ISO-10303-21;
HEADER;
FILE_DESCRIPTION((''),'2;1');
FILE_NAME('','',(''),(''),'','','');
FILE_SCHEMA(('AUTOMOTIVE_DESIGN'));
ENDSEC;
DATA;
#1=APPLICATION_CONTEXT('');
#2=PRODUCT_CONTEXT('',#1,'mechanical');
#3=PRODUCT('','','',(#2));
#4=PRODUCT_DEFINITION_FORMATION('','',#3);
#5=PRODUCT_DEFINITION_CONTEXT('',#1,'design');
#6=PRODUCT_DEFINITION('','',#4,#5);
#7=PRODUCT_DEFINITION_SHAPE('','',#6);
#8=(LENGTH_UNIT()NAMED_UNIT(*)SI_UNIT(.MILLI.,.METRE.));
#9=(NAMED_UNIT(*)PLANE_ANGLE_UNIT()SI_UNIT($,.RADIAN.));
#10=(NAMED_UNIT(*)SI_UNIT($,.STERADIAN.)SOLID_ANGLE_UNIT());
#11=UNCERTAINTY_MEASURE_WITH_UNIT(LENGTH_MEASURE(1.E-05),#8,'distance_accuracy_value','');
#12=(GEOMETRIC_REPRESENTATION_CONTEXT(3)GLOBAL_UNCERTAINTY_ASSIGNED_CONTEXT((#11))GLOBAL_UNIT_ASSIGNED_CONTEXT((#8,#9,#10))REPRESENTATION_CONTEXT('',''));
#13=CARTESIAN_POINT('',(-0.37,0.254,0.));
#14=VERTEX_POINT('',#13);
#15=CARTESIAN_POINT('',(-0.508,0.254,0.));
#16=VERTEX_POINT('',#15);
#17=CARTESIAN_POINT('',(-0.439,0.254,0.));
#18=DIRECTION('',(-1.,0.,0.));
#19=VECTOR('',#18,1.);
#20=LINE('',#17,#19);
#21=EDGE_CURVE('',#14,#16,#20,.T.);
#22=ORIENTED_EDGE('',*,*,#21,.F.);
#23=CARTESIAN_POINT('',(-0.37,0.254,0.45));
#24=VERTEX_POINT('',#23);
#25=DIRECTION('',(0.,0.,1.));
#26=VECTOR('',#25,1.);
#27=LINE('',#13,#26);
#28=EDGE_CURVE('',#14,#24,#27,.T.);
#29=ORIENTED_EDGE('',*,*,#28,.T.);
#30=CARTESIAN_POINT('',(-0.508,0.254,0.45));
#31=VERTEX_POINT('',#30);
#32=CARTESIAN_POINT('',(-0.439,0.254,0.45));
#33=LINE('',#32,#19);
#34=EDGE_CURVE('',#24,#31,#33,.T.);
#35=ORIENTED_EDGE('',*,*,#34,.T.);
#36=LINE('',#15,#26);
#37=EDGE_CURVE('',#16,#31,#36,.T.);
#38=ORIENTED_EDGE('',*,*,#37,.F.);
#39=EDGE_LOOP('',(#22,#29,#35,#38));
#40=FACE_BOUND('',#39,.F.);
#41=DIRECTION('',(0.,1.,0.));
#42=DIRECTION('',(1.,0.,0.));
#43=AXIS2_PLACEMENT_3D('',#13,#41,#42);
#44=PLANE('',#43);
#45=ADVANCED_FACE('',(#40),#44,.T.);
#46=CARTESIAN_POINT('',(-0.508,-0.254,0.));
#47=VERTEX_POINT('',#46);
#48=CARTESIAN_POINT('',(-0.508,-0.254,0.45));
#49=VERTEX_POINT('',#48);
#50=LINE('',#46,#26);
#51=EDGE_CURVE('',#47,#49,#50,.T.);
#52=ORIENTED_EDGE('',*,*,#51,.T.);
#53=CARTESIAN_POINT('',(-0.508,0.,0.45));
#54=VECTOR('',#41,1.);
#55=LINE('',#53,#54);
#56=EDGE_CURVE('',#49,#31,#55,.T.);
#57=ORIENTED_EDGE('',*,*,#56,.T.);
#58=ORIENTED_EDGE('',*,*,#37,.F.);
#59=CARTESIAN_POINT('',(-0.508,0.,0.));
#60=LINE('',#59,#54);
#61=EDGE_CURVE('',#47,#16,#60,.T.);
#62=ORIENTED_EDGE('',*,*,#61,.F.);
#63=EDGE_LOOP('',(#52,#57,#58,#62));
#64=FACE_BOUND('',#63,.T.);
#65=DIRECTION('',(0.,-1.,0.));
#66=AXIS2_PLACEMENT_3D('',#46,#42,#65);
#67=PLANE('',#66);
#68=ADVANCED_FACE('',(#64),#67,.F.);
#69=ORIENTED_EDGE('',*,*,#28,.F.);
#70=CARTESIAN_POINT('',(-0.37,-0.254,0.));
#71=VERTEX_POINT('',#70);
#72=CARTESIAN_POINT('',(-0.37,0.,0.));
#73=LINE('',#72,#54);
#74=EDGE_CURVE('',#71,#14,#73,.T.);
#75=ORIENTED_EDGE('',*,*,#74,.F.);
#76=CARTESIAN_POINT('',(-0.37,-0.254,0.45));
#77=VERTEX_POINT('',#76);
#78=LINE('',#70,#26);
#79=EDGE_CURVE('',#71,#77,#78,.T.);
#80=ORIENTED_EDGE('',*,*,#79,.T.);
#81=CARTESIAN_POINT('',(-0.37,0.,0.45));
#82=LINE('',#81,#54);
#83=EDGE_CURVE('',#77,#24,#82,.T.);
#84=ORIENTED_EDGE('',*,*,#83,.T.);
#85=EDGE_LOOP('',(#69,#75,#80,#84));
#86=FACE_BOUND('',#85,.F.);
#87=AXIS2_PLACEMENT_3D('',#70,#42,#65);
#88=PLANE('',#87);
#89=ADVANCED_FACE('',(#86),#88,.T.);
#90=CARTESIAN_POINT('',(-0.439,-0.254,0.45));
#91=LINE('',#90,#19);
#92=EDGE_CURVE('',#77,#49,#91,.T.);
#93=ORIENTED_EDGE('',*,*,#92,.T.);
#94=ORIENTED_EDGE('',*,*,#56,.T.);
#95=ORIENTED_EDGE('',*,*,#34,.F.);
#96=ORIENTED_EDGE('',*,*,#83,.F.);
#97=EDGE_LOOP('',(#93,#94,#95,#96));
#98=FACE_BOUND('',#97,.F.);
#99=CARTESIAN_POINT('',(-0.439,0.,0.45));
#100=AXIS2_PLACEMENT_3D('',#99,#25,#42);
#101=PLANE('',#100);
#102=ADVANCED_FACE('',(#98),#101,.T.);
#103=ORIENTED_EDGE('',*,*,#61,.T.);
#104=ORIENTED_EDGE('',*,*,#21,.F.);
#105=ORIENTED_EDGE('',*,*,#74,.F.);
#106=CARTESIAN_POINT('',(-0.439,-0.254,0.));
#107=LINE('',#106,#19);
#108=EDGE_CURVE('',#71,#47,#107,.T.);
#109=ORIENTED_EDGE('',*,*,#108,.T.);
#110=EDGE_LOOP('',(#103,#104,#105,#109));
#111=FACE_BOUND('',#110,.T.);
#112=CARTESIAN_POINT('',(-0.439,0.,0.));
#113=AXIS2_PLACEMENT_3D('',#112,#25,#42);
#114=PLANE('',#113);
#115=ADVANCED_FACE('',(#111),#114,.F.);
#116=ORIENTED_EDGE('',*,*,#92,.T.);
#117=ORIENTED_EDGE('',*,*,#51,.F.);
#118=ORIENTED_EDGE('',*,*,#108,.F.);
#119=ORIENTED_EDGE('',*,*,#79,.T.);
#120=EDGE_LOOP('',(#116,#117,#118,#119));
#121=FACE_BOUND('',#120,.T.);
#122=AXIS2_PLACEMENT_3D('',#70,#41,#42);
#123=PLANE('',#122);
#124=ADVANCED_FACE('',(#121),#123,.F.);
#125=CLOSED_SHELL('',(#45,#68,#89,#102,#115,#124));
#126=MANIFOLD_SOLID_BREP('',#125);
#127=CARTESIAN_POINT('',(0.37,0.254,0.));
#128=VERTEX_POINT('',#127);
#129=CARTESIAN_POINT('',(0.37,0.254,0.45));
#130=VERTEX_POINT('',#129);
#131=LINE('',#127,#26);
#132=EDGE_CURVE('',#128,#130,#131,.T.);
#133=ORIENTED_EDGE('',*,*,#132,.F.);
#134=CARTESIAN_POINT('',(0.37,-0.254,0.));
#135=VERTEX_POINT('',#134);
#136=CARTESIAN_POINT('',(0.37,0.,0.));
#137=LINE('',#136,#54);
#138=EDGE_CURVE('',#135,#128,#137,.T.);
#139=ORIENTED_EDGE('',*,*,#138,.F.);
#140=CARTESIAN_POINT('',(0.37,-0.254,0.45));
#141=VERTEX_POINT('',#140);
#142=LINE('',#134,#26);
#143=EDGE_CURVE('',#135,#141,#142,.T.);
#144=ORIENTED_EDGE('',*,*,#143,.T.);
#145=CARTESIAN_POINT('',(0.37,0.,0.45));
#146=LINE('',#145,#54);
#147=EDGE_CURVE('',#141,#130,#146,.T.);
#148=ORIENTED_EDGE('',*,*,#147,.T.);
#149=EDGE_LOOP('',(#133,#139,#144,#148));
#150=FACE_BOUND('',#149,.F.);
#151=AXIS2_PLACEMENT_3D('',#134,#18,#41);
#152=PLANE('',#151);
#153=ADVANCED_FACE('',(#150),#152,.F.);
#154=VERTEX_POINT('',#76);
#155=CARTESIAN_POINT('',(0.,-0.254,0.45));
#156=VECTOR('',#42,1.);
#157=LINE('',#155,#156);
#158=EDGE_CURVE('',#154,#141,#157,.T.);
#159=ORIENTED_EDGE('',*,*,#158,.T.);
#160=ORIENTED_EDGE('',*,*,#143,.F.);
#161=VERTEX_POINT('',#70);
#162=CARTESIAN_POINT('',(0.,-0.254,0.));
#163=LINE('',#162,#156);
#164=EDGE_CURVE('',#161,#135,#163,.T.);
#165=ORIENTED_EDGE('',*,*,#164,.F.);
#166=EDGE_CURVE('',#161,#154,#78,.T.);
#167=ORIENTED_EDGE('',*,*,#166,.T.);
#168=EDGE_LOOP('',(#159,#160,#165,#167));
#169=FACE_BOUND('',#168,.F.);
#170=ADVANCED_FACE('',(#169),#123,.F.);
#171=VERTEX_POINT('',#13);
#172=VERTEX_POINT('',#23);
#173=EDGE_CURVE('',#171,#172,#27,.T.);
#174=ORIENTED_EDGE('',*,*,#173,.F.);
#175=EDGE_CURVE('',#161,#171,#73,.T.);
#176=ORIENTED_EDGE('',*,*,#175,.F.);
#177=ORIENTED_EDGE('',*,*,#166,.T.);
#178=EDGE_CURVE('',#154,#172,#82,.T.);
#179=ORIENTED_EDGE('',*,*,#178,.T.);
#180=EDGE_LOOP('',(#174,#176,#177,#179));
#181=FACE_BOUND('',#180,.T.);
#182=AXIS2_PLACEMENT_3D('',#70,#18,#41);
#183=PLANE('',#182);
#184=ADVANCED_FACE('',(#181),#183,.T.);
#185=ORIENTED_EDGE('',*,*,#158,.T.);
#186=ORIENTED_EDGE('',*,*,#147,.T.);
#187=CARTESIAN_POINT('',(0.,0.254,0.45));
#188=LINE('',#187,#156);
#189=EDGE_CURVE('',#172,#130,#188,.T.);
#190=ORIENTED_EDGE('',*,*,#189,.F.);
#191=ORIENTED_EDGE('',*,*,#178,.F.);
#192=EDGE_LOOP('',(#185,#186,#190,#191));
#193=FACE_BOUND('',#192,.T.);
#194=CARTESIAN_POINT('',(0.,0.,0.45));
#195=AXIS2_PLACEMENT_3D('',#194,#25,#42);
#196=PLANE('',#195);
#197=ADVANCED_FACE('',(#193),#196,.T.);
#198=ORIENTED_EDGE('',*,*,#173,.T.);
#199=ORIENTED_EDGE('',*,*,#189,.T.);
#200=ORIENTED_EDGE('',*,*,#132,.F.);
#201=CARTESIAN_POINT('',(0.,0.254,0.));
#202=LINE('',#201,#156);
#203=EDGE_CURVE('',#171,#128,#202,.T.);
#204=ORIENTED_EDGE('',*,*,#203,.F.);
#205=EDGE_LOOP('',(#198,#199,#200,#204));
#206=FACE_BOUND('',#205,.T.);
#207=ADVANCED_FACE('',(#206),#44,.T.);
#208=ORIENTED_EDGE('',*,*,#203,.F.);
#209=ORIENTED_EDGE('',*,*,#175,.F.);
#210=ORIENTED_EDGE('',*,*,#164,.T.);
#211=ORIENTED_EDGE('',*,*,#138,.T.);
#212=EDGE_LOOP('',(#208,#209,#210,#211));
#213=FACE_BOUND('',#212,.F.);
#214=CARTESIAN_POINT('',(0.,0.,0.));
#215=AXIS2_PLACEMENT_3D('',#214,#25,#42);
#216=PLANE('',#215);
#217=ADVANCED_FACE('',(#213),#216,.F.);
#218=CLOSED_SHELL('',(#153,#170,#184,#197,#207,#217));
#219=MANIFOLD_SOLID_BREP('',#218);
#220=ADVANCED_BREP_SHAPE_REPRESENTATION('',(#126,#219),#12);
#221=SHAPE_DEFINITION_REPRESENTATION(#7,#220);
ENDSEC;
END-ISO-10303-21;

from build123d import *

# Parameters (mm, degrees)
SKETCH_W     = 0.74
SKETCH_H     = 0.508
PAD_DEPTH    = 0.45
SKETCH001_W  = 0.138
SKETCH001_H  = 0.508
PAD001_DEPTH = 0.45


with BuildPart() as body:
    # Sketch → Pad (new body)
    with BuildSketch(Plane.XY):
        Rectangle(SKETCH_W, SKETCH_H)
    extrude(amount=PAD_DEPTH)


with BuildPart() as body001:
    # Sketch001 → Pad001 (new body)
    with BuildSketch(Plane.XY):
        with Locations((0.439, 0)):
            Rectangle(SKETCH001_W, SKETCH001_H)
    extrude(amount=PAD001_DEPTH)


with BuildPart() as part_mirroring:
    # Part__Mirroring: instance of Body001
    add(body001.part.mirror(Plane(origin=(0, 0, 0), x_dir=(0, -1, 0), z_dir=(1, 0, 0))))


solid = Compound([body.part, part_mirroring.part])
